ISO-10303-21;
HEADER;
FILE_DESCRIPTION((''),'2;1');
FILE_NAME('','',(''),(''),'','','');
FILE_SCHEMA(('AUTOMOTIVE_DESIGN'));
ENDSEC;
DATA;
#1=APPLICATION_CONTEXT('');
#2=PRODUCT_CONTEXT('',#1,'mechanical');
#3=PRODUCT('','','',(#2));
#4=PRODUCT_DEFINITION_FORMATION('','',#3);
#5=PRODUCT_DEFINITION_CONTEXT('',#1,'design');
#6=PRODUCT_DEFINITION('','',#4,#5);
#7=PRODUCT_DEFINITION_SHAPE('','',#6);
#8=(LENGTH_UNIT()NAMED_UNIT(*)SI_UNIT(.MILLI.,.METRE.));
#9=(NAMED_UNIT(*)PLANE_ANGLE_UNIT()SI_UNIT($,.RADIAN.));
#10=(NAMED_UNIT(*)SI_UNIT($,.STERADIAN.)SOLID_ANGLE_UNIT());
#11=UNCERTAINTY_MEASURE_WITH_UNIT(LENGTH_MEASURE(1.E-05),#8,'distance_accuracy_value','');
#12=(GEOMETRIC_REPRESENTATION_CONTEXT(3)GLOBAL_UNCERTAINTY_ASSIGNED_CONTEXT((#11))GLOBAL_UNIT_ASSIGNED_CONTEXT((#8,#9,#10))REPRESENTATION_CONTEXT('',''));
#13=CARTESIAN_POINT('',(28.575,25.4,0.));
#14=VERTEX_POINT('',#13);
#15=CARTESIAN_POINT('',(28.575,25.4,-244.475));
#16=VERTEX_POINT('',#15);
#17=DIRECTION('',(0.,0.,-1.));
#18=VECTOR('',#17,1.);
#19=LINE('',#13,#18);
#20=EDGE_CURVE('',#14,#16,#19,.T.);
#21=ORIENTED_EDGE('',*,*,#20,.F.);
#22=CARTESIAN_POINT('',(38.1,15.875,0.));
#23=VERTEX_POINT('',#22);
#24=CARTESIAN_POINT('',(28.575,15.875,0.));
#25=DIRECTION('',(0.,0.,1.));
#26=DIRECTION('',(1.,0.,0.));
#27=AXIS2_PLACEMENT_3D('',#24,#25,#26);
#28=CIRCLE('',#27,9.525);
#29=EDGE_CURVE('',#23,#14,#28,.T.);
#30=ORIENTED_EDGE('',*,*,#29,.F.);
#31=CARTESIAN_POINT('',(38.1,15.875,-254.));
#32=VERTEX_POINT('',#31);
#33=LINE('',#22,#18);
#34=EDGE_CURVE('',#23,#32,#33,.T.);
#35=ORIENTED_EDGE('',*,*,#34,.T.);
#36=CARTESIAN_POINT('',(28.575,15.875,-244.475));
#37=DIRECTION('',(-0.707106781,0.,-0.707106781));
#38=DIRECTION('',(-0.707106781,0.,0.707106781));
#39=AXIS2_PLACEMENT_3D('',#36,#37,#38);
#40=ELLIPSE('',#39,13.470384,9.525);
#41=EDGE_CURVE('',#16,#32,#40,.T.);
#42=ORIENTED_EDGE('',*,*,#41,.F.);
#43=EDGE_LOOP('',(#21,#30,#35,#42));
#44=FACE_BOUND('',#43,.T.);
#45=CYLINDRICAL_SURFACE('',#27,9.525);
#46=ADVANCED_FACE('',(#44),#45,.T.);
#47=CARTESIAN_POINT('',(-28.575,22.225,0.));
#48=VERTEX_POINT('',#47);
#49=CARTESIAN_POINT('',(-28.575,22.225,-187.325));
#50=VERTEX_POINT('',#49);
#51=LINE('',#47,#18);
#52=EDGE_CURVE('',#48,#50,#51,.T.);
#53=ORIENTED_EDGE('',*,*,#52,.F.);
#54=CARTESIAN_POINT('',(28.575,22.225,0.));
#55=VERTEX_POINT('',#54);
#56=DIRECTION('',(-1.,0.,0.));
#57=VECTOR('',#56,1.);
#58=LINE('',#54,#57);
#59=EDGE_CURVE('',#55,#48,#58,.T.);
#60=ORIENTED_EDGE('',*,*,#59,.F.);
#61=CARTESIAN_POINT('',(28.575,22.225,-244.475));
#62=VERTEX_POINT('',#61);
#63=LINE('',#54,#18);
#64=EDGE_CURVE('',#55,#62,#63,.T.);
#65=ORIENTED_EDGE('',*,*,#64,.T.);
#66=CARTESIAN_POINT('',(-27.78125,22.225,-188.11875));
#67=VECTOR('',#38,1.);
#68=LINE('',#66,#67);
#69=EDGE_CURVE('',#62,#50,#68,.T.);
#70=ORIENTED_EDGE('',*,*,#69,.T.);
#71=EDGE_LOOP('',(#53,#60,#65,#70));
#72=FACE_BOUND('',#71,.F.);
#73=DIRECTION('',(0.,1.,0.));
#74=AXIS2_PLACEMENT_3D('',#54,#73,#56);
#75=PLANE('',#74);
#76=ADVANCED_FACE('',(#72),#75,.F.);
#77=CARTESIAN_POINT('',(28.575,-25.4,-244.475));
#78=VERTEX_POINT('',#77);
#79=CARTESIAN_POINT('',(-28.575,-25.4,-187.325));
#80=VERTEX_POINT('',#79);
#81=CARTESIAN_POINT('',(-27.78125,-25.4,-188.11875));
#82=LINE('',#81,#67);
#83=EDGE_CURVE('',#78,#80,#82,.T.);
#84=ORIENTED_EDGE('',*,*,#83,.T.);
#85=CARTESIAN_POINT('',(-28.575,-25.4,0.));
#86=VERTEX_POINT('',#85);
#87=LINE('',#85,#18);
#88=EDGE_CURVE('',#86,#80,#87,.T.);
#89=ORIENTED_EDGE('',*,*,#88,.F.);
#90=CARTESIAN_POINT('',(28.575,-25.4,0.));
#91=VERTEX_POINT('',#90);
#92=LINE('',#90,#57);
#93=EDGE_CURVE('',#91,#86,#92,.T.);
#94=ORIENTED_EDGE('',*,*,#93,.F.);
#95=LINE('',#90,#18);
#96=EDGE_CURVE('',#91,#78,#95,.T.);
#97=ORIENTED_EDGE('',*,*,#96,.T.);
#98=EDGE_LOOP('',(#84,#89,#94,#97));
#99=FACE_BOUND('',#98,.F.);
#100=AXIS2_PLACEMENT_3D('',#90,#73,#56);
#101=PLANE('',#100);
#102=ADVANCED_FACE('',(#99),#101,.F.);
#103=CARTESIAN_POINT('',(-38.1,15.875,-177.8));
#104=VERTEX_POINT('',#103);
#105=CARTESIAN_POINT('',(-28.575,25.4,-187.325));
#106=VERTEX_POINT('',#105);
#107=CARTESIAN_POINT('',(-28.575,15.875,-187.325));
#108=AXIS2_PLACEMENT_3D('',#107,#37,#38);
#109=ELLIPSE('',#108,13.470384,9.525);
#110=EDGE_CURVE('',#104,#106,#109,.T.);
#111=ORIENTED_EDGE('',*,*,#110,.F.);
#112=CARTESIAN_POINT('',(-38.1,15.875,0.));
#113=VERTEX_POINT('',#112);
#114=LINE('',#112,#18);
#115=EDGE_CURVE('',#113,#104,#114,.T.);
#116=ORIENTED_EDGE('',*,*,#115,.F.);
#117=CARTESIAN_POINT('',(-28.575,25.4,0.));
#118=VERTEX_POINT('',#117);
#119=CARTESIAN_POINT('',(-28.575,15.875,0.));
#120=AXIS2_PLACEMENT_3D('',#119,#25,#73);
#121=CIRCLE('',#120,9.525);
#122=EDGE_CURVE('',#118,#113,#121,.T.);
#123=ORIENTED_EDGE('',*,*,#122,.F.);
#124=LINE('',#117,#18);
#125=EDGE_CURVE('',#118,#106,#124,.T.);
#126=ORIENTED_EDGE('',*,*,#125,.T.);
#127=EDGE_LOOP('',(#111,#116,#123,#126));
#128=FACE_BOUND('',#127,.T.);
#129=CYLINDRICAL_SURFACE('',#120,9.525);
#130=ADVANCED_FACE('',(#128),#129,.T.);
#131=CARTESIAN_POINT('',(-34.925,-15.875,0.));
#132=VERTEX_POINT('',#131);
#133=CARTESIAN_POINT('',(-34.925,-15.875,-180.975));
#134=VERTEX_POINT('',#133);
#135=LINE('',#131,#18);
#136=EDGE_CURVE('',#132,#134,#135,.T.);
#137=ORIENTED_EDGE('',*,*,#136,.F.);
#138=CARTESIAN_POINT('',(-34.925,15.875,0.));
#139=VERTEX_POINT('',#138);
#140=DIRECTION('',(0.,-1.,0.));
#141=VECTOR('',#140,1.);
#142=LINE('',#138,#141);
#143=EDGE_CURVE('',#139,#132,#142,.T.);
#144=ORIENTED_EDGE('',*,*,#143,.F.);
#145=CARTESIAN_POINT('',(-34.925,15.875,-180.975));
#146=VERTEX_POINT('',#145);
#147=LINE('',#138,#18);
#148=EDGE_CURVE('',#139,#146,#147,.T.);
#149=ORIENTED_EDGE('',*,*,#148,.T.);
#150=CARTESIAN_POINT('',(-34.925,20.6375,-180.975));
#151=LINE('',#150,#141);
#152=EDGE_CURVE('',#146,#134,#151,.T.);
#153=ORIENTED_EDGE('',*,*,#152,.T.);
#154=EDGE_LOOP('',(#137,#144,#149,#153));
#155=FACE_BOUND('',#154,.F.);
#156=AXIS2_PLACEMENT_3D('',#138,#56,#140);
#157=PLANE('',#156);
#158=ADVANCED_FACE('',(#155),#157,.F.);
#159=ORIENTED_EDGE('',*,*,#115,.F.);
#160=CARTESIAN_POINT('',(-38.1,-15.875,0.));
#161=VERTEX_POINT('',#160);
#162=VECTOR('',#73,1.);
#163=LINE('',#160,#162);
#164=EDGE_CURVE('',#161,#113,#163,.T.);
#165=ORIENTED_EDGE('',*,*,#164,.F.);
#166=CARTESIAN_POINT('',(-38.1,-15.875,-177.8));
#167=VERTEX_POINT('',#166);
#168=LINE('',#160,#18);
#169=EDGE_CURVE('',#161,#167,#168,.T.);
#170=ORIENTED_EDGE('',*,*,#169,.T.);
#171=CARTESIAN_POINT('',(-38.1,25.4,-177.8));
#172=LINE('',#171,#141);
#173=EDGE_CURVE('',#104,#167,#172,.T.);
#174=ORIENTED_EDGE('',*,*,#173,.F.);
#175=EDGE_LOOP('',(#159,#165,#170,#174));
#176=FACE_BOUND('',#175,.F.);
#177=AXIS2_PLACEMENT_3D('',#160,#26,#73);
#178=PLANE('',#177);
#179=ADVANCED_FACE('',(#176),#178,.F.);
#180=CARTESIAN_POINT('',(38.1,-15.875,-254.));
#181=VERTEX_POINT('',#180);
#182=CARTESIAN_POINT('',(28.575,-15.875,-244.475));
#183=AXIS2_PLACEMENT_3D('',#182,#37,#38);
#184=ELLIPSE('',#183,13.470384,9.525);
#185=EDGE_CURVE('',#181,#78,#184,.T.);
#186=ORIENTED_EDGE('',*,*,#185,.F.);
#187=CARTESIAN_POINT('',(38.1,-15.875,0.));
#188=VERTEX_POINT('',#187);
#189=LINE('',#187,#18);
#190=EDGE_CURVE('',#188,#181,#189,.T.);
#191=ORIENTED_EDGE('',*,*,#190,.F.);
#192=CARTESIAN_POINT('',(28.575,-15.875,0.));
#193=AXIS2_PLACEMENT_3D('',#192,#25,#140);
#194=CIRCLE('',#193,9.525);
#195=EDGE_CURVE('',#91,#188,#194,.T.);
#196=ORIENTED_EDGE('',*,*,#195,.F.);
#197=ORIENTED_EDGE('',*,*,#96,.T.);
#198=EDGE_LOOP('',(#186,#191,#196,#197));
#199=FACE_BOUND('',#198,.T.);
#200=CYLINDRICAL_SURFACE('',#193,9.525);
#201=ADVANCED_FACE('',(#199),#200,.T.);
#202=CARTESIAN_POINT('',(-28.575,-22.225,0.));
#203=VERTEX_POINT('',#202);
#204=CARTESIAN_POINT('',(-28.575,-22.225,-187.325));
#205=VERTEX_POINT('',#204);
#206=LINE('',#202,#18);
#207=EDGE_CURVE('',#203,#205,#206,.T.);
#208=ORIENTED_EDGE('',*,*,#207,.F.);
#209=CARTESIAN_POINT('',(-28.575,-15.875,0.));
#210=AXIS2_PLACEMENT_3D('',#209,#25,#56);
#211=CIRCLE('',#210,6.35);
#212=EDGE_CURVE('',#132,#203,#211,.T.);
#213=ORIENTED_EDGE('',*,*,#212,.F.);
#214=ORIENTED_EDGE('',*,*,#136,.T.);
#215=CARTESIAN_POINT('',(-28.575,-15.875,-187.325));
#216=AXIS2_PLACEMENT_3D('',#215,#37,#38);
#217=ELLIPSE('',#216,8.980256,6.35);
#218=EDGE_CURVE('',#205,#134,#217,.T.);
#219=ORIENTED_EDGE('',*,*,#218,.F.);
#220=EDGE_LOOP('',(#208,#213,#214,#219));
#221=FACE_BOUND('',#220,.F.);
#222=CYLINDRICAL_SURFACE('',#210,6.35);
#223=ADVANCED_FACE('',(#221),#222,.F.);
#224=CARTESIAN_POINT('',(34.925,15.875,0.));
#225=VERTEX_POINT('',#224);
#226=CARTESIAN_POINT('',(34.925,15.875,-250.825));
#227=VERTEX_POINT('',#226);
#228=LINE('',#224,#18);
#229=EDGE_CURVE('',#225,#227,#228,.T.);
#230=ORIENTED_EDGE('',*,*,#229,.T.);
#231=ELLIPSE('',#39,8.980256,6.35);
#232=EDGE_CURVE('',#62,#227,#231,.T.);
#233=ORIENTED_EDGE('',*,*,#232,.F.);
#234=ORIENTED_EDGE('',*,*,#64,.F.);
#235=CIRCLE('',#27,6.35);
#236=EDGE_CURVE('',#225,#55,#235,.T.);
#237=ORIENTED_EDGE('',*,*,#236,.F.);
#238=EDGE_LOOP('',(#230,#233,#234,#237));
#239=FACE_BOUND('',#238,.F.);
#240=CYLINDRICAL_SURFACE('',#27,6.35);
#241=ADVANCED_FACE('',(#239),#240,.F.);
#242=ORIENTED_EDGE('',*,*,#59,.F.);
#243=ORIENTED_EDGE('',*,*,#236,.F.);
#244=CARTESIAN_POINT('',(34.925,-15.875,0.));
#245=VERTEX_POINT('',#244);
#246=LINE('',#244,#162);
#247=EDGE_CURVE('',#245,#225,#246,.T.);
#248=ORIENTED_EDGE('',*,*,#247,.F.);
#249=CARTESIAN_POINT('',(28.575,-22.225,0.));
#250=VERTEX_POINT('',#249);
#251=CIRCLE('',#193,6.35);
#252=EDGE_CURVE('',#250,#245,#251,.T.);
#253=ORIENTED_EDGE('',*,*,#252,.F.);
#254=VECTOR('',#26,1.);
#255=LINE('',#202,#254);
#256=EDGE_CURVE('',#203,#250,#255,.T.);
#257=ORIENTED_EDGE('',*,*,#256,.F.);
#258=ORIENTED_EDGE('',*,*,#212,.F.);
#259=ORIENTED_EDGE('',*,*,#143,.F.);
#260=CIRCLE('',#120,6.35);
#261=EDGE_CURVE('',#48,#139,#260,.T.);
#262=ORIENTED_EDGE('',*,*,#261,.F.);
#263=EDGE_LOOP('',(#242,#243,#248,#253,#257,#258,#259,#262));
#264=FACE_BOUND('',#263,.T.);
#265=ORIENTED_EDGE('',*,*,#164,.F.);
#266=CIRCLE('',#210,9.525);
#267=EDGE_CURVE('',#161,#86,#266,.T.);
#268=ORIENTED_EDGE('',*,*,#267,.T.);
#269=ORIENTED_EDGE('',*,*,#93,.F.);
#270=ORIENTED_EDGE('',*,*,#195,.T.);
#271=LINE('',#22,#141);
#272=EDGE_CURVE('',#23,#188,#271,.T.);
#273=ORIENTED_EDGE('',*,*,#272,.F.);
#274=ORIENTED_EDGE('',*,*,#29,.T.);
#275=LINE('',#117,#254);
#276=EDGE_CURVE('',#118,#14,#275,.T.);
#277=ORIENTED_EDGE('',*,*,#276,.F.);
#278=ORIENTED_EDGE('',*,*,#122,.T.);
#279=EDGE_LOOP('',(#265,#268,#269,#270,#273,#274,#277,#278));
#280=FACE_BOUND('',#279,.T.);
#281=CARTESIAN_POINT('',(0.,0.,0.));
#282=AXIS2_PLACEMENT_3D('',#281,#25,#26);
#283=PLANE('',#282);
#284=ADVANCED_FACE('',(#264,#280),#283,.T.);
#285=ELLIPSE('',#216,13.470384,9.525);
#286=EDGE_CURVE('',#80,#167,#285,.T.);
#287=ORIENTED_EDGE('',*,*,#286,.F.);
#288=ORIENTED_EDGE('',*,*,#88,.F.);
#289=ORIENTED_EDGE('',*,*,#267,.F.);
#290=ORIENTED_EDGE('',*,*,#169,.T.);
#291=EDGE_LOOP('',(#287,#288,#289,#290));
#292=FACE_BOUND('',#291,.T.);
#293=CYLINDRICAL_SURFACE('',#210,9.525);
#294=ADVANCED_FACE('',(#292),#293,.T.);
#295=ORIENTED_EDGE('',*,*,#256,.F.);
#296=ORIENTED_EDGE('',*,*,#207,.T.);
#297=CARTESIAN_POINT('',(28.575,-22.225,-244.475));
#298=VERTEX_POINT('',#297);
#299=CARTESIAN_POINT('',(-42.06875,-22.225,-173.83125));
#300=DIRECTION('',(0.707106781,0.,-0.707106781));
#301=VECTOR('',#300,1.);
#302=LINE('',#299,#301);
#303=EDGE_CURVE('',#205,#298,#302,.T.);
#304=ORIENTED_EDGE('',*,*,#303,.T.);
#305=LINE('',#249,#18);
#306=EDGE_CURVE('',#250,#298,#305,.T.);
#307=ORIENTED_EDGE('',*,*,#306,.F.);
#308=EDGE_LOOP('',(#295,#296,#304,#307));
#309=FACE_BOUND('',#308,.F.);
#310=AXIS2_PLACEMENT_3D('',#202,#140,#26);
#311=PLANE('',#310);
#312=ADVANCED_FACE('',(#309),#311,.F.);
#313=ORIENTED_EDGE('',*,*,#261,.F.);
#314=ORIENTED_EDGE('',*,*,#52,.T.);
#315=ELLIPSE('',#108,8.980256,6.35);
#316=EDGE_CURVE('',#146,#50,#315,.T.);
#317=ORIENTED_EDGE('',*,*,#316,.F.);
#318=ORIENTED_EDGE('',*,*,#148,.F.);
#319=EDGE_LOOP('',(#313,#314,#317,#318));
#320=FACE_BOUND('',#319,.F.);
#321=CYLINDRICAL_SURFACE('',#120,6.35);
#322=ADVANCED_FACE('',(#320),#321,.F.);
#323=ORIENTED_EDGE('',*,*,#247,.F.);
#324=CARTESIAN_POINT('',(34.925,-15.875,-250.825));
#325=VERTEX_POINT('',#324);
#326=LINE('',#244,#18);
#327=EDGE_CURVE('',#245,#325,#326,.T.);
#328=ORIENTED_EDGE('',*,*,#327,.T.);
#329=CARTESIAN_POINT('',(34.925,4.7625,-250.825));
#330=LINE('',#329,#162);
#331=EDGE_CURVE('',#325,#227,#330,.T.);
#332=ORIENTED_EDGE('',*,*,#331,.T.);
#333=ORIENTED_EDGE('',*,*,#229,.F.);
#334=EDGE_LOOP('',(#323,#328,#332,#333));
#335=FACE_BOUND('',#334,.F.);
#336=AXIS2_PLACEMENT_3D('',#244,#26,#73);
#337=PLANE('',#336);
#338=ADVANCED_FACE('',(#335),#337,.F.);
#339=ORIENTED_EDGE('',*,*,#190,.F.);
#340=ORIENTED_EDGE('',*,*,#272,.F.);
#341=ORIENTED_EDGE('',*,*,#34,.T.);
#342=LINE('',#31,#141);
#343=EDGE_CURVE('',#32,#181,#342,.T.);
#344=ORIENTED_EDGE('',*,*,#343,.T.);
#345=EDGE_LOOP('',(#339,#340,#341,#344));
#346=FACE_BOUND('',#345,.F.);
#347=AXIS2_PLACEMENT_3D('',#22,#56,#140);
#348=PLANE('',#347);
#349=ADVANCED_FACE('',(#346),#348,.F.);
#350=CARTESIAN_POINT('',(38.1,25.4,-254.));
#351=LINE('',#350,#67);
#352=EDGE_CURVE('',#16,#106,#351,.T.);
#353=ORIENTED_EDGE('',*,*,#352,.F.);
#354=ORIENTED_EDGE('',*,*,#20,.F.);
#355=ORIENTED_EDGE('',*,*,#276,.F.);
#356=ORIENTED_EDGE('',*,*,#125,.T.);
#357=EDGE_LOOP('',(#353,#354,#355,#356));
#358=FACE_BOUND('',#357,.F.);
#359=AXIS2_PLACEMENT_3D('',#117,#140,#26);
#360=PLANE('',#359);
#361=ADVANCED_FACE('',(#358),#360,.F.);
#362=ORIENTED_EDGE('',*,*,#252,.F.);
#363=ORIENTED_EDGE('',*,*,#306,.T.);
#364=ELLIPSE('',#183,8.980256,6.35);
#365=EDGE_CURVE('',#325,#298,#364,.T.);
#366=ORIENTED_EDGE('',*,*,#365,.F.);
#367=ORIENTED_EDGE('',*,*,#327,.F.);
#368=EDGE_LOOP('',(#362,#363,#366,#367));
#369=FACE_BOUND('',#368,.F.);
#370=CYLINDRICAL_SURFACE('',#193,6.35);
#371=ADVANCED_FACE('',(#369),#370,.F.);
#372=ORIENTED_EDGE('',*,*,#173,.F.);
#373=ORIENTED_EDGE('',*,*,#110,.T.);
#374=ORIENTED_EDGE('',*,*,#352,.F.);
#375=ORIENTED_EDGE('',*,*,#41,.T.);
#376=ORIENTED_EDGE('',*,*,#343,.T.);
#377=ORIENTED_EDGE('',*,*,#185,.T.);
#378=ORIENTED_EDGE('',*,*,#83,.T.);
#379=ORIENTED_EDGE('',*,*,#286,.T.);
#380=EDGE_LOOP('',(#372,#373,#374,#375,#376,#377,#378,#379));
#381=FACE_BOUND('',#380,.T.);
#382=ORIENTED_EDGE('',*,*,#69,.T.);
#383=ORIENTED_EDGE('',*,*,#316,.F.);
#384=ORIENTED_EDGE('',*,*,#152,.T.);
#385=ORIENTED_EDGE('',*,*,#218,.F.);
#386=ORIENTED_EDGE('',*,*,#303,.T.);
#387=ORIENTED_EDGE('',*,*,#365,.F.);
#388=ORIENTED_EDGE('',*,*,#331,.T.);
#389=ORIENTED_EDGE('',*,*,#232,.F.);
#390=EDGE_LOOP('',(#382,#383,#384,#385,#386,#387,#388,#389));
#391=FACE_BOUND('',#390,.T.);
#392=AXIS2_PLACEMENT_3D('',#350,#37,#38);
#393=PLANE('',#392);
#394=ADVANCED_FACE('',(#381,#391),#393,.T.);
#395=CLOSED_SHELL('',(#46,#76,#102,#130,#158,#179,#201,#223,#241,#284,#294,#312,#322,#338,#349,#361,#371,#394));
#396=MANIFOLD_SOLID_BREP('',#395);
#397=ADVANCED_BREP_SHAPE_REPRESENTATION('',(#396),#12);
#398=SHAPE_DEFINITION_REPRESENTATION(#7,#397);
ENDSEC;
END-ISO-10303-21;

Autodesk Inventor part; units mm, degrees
ref_plane "YZ Plane" through (0, 0, 0) normal (1, 0, 0) x (0, 1, 0)
ref_plane "XZ Plane" through (0, 0, 0) normal (0, 1, 0) x (-1, 0, 0)
ref_plane "XY Plane" through (0, 0, 0) normal (0, 0, 1) x (1, 0, 0)
sketch "Sketch1" plane through (0, 0, 0) normal (0, 0, 1) x (1, 0, 0)
  line L0 (28.575, -25.4) -> (-28.575, -25.4)
  line L1 (-38.1, -15.875) -> (-38.1, 15.875)
  line L2 (-28.575, 25.4) -> (28.575, 25.4)
  line L3 (38.1, 15.875) -> (38.1, -15.875)
  line L4 (38.1, -25.4) -> (-38.1, 25.4) construction
  line L5 (-38.1, -25.4) -> (38.1, 25.4) construction
  arc A0 (38.1, 15.875) -> (28.575, 25.4) centre (28.575, 15.875) ccw
  arc A1 (28.575, -25.4) -> (38.1, -15.875) centre (28.575, -15.875) ccw
  arc A2 (-38.1, -15.875) -> (-28.575, -25.4) centre (-28.575, -15.875) ccw
  arc A3 (-28.575, 25.4) -> (-38.1, 15.875) centre (-28.575, 15.875) ccw
  line L6 (28.575, 22.225) -> (-28.575, 22.225)
  arc A4 (-28.575, 22.225) -> (-34.925, 15.875) centre (-28.575, 15.875) ccw
  line L7 (-34.925, 15.875) -> (-34.925, -15.875)
  arc A5 (-34.925, -15.875) -> (-28.575, -22.225) centre (-28.575, -15.875) ccw
  line L8 (-28.575, -22.225) -> (28.575, -22.225)
  arc A6 (28.575, -22.225) -> (34.925, -15.875) centre (28.575, -15.875) ccw
  line L9 (34.925, -15.875) -> (34.925, 15.875)
  arc A7 (34.925, 15.875) -> (28.575, 22.225) centre (28.575, 15.875) ccw
  point P0 (0, 0)
  dimension "d0" = 50.8
  dimension "d1" = 76.2
  dimension "d2" = 9.525
  dimension "d3" = 3.175
extrude "Extrusion1" add sketch "Sketch1" against normal blind 254
sketch "Sketch2" plane through (-28.575, 25.4, 0) normal (0, 1, 0) x (1, 0, 0)
  line L0 (66.675, 0) -> (66.675, 254) projected
  line L1 (66.675, 254) -> (-9.525, 177.8)
  line L2 (-9.525, 0) -> (-9.525, 254) projected
  line L3 (66.675, 254) -> (174.4381, 254) construction
  line L4 (-9.525, 177.8) -> (-9.525, 254)
  line L5 (0, 254) -> (-9.525, 254) projected
  line L6 (-9.525, 254) -> (66.675, 254)
  point P0 (28.575, 0)
  dimension "d6" = 135
extrude "Extrusion2" cut sketch "Sketch2" against normal through all
equation "\"d0\" = stockHeight"
equation "\"d1\" = stockWidth"
equation "\"d2\" = stockRad"
equation "\"d3\" = stockGuage"
equation "\"d4\" = baseDepth"
equation "\"height\" = 203.2"
equation "\"shaftDiam\" = 6.35"
equation "\"shaftSpace\" = 1.5875"
equation "\"stageSpace\" = 2.54"
equation "\"stageAngle\" = 15deg"
equation "\"stockHeight\" = 50.8"
equation "\"stockWidth\" = 76.2"
equation "\"stockRad\" = 9.525"
equation "\"stockGuage\" = 3.175"
equation "\"groundActu\" = 304.8"
equation "\"baseWidth\" = 1066.8"
equation "\"baseDepth\" = 254"
equation "\"capThickness\" = 3.175"
equation "\"sup1Ang\" = 22.619865deg"
equation "\"sup1Len\" = 660.4"
equation "\"supVertLen\" = 955.13561"
equation "\"sup2Ang\" = 8.959949deg"
equation "\"sup2Len\" = 2079.37366"
equation "\"supSideAng\" = 19.376933deg"
equation "\"supSideLen\" = 1531.12879"
equation "\"FlangeDiam\" = 12.7"
equation "\"bearingDiam\" = 9.5504"
equation "\"FlangeDepth\" = 1.5875"
equation "\"smallFilet\" = 0.39687"
equation "\"thickness\" = 12.7"
equation "\"ringDiam\" = 96.46608"
properties part number "depth bar" material "Aluminum 6061"
